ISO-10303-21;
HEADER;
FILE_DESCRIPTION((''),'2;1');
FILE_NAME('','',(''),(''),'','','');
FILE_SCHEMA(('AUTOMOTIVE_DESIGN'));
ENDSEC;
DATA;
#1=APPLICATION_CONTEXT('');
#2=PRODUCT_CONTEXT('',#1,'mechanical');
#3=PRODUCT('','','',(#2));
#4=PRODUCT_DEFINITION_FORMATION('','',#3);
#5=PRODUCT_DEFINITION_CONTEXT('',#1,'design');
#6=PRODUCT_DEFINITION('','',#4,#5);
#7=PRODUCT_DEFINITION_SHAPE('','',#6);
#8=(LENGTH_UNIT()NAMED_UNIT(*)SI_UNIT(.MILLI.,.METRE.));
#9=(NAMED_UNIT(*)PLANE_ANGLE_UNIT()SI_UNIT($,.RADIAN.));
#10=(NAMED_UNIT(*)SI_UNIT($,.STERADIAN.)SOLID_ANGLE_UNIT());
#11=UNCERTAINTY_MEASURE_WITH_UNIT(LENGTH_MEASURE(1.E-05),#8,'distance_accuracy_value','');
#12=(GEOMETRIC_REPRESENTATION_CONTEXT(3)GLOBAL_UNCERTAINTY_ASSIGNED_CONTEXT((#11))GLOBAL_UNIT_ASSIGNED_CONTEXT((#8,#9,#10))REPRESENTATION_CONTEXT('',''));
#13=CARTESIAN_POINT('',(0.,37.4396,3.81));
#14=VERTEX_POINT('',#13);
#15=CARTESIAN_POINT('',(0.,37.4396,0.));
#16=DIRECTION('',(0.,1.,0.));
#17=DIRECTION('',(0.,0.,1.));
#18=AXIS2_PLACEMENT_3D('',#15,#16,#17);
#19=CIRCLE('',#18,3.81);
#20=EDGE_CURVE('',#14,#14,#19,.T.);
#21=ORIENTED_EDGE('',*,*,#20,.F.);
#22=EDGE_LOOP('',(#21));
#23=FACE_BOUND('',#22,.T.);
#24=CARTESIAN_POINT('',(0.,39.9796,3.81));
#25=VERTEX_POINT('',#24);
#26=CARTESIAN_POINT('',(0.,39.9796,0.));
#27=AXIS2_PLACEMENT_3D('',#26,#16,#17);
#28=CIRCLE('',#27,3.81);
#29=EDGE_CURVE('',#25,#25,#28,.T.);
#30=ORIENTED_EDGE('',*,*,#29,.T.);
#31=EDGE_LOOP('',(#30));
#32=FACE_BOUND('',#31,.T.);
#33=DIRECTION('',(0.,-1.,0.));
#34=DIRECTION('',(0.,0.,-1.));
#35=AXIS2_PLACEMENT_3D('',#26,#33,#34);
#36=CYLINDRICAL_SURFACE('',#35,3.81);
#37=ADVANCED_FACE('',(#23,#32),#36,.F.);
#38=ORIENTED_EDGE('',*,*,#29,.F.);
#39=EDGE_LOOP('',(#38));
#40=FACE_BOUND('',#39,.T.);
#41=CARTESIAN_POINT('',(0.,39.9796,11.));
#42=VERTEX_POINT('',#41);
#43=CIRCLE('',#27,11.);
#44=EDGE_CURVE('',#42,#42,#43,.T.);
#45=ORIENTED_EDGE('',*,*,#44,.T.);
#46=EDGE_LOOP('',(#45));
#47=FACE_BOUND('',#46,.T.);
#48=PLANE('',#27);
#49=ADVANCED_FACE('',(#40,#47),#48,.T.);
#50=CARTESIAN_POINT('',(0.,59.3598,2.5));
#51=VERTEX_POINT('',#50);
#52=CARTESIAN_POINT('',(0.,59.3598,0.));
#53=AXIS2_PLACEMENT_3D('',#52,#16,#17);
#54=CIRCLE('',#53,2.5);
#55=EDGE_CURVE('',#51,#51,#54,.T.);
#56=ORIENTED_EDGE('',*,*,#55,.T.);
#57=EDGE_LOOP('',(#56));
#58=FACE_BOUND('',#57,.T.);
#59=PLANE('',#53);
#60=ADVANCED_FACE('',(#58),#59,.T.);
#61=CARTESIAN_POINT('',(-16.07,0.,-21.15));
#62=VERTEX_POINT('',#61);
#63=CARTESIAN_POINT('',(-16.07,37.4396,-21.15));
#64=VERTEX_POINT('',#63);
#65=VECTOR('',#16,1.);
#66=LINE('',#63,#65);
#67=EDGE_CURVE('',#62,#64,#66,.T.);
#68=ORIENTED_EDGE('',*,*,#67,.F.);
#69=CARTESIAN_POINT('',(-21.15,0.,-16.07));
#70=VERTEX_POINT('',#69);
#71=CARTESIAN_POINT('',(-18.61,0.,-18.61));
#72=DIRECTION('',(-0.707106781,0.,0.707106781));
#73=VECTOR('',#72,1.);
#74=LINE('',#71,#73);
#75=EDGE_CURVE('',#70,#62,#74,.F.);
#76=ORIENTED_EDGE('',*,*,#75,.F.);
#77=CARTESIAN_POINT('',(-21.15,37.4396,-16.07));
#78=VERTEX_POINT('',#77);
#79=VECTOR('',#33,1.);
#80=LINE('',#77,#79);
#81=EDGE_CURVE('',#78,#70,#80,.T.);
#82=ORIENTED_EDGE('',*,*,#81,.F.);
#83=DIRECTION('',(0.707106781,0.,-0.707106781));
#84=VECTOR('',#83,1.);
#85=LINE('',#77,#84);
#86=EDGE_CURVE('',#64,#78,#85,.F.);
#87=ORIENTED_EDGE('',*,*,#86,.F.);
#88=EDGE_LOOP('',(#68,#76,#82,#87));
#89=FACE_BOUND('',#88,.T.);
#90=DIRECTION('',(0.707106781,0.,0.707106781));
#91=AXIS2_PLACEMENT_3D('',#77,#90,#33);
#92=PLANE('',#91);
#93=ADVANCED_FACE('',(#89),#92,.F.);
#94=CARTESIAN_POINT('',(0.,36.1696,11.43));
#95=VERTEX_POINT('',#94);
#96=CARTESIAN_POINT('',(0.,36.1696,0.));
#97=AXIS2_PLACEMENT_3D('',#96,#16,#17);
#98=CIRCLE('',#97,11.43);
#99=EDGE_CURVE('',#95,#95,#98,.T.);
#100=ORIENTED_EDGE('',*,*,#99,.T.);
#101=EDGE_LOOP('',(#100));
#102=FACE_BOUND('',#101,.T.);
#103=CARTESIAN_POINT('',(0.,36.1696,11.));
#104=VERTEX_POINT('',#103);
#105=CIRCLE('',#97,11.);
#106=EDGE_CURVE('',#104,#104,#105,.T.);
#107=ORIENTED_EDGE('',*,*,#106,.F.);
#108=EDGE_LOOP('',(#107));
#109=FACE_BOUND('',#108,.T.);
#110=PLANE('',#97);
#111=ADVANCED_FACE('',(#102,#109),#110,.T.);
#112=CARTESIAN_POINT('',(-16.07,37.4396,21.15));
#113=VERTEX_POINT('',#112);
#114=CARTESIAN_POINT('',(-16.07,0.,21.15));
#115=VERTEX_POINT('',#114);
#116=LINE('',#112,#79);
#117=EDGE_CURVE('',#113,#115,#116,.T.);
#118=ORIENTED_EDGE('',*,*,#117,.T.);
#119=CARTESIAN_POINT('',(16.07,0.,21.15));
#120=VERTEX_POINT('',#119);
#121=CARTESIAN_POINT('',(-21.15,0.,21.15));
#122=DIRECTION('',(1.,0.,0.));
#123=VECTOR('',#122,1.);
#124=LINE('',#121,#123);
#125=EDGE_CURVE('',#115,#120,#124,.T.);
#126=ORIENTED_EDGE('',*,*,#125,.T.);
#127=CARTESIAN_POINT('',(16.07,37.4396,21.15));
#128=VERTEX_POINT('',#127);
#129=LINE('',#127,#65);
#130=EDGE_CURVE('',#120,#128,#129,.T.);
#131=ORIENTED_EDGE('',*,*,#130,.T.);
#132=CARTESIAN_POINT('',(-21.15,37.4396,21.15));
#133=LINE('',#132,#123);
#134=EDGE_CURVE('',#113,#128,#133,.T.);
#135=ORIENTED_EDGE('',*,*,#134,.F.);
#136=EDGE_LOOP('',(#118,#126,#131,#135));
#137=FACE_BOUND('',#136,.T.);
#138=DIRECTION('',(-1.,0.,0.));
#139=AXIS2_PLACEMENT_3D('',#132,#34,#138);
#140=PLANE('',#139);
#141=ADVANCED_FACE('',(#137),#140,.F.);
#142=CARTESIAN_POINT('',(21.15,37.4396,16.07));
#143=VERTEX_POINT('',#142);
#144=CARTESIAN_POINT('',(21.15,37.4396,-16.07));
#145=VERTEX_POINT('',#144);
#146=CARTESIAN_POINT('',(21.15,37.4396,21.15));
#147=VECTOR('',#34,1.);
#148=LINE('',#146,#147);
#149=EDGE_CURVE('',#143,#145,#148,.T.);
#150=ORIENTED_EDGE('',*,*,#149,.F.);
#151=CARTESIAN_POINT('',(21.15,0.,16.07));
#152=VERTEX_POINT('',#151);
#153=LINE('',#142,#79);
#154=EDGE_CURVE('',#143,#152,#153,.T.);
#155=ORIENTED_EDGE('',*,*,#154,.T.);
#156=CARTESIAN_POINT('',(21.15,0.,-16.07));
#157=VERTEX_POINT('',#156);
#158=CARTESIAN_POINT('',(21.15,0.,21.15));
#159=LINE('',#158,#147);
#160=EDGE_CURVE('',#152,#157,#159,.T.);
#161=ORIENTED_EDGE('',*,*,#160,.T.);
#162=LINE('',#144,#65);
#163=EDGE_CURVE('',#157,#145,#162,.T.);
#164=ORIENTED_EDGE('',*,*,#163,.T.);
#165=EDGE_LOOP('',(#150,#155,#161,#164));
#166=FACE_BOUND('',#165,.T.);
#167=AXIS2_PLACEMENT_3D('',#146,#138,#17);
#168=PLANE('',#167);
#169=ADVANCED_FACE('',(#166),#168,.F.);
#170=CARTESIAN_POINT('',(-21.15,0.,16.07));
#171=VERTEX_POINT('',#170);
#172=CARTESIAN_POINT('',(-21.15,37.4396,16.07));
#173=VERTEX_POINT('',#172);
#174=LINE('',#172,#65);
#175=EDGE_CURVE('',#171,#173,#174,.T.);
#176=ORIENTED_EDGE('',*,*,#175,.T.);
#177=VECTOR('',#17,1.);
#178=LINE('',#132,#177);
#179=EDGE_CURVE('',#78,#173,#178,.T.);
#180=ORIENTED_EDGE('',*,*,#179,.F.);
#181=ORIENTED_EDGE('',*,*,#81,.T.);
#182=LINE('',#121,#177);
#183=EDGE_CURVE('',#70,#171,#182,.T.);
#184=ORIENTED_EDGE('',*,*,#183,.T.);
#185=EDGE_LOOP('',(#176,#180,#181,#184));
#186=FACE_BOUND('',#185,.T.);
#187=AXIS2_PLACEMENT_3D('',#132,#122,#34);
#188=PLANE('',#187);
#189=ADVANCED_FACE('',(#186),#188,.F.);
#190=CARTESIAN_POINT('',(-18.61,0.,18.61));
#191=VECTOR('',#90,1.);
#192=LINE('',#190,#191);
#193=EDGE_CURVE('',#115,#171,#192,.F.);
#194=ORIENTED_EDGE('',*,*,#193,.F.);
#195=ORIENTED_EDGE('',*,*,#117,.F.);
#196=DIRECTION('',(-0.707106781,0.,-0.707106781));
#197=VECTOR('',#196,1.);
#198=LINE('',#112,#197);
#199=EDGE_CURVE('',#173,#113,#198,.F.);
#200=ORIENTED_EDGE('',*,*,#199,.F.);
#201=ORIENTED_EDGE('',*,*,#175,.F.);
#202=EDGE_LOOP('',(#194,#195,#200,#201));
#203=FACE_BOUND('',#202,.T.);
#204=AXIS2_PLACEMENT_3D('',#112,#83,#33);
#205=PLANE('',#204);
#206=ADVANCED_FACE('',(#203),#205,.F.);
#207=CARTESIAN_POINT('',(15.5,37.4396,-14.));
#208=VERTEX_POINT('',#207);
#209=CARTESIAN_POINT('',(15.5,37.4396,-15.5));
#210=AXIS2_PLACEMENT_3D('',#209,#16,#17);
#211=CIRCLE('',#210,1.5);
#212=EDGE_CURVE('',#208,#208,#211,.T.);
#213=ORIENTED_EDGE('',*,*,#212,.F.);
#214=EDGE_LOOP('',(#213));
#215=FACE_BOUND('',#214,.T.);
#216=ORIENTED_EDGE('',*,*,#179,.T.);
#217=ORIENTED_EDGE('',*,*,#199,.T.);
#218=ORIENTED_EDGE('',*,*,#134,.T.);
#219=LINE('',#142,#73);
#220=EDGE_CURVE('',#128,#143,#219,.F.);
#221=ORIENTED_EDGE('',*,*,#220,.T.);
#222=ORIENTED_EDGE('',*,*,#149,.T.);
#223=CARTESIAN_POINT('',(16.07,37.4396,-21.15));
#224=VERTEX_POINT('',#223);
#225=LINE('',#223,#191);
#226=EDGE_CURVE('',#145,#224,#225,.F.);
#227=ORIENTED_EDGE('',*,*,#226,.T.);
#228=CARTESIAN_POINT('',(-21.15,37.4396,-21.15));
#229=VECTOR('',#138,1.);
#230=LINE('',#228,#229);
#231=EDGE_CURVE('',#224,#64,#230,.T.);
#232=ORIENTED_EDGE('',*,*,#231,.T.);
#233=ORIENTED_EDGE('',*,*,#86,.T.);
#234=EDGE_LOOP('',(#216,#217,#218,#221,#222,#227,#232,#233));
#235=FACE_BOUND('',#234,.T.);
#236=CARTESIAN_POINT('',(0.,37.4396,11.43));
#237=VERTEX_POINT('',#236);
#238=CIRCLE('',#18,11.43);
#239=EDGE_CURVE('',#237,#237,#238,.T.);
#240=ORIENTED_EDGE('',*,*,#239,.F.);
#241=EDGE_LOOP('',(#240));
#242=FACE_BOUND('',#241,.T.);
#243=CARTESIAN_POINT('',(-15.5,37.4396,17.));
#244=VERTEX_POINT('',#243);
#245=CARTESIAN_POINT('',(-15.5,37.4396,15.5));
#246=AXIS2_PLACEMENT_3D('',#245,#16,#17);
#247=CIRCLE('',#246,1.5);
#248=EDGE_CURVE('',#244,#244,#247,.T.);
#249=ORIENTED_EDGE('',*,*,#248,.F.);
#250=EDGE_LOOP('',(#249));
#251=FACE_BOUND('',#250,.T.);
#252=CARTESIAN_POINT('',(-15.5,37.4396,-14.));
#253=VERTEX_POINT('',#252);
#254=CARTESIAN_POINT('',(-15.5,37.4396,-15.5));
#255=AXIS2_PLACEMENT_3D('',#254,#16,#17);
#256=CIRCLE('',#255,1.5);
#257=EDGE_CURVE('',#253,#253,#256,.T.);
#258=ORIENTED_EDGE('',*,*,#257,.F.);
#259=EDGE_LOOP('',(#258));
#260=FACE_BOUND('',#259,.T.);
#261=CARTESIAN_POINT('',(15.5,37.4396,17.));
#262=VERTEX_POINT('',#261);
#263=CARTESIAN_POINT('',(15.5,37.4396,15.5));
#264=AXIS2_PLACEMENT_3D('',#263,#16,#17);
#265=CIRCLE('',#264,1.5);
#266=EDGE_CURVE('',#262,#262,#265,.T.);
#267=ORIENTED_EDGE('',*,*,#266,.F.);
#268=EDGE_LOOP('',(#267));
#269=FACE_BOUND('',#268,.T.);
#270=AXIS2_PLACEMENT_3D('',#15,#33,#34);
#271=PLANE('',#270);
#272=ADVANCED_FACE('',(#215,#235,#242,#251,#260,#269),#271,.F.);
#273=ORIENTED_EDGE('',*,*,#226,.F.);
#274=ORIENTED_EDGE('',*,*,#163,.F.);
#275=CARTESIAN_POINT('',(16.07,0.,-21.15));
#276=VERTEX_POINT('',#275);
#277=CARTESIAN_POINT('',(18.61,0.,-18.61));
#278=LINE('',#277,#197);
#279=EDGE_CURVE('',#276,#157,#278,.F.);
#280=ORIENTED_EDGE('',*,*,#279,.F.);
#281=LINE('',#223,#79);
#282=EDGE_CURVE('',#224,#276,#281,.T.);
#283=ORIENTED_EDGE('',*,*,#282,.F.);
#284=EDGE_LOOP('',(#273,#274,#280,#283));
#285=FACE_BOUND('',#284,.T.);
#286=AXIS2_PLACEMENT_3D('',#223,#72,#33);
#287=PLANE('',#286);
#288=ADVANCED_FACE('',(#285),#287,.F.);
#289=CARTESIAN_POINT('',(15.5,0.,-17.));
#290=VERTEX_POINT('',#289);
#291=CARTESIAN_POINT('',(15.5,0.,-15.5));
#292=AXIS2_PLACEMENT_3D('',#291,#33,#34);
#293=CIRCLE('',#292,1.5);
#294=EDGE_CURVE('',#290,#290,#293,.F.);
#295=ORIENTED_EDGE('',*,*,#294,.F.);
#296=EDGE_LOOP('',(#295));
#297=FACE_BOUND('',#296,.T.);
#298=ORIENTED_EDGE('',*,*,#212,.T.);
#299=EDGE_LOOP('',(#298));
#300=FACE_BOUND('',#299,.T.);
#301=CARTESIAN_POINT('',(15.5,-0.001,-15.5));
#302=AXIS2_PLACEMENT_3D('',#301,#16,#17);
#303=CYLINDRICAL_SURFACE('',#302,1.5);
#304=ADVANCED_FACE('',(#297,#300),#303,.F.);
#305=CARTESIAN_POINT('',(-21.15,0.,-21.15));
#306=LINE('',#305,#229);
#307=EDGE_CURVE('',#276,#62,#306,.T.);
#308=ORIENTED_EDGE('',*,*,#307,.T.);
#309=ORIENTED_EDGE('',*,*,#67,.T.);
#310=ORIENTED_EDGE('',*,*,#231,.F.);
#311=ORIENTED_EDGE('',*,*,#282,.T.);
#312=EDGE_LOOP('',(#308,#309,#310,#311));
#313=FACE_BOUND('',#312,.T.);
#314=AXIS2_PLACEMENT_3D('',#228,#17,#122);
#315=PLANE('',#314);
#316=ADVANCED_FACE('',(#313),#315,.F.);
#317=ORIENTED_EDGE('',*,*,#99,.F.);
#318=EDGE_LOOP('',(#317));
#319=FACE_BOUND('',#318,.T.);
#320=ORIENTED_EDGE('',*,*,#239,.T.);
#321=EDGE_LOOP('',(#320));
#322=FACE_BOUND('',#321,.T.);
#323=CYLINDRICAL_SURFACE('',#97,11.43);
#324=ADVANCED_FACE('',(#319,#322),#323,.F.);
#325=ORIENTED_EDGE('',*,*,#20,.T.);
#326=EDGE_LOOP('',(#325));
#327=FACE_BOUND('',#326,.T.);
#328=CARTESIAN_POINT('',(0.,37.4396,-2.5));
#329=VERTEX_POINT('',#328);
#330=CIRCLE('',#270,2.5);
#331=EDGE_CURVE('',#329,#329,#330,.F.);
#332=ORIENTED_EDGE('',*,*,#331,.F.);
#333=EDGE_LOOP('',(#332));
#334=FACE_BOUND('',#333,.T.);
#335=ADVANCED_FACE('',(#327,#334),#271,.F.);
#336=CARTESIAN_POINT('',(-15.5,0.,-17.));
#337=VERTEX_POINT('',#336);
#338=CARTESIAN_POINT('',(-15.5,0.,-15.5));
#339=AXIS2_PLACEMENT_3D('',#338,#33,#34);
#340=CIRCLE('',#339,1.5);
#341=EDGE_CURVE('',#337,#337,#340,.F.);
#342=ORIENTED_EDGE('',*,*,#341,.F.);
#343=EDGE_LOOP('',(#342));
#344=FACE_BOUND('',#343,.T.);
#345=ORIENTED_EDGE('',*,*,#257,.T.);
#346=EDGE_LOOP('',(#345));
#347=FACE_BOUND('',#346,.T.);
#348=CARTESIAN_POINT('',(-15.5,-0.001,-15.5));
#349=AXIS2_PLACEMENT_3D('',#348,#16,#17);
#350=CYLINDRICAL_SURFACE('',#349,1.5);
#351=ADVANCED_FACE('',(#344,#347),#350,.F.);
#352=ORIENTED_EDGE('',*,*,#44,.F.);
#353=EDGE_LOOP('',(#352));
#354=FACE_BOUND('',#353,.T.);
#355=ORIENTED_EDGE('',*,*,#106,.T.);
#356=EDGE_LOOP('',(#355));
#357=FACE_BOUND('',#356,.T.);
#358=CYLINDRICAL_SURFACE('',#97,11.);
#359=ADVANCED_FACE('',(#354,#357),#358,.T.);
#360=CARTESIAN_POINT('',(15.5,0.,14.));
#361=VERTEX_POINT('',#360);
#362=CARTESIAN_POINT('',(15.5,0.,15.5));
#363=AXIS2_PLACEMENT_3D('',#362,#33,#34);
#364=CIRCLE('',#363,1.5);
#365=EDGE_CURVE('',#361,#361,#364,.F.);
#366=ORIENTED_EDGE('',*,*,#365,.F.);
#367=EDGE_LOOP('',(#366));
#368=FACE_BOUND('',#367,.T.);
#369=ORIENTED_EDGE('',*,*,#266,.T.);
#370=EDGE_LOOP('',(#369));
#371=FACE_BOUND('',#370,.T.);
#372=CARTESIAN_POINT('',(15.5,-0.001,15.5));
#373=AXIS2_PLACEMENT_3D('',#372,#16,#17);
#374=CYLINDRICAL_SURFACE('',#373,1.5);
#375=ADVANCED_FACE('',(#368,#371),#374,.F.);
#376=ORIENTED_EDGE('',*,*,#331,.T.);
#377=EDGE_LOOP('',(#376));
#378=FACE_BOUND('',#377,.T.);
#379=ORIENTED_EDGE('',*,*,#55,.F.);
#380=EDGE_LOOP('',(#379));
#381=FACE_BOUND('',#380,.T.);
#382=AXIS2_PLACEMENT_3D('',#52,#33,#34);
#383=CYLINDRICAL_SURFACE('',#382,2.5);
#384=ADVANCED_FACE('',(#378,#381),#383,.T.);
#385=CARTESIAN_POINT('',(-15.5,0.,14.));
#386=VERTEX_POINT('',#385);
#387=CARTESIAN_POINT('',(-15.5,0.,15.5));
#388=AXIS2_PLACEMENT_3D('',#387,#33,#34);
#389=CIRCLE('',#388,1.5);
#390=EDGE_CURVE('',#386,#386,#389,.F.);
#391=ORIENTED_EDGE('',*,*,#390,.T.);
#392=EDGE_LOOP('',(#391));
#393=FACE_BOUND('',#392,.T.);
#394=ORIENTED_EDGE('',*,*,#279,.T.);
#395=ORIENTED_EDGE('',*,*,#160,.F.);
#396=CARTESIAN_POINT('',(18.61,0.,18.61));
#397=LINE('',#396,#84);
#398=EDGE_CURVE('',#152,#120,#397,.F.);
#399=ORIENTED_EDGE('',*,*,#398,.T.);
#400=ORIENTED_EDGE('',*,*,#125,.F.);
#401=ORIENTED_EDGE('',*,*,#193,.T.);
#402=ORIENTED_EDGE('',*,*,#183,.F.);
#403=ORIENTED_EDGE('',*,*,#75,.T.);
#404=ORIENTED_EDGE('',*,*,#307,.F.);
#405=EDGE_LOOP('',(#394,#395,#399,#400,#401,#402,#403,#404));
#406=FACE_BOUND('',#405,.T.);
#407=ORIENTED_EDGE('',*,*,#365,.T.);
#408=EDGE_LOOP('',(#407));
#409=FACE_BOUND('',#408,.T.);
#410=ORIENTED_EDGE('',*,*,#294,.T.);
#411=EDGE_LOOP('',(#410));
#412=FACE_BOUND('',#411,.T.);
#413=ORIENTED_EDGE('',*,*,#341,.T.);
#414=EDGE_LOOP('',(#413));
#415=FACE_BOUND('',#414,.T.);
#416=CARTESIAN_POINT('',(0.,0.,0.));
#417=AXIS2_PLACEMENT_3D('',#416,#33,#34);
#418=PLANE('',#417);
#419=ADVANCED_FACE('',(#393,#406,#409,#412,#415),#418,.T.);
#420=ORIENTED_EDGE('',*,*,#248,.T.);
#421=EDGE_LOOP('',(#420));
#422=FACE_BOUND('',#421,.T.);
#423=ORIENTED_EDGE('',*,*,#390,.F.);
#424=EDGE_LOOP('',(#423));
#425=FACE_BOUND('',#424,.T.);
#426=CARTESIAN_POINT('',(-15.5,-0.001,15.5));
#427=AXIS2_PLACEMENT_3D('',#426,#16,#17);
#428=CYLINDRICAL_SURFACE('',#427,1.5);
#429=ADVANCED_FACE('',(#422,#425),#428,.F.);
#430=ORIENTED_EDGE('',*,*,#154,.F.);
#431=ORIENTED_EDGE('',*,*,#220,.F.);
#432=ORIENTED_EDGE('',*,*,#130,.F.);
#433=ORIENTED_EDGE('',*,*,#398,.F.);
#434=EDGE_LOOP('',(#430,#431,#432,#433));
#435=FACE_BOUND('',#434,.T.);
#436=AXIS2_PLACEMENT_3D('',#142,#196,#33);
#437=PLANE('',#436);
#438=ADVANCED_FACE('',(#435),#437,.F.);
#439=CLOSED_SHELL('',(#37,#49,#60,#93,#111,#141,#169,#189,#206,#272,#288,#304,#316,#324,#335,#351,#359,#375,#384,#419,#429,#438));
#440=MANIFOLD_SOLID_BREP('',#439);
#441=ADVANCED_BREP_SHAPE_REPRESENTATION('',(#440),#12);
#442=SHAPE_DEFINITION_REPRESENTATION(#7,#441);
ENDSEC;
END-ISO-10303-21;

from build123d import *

# Parameters (mm, degrees)
SKETCH1_W           = 42.3
SKETCH1_H           = 42.3
BOSS_EXTRUDE1_DEPTH = 37.4396
CHAMFER1_SIZE       = 5.08
SKETCH2_R           = 11.43
SKETCH2_R_2         = 11
CUT_EXTRUDE1_DEPTH  = 1.27
BOSS_EXTRUDE2_START = 2.54
SKETCH3_R           = 11
SKETCH3_R_2         = 3.81
BOSS_EXTRUDE2_DEPTH = 2.54
SKETCH4_R           = 2.5
BOSS_EXTRUDE3_DEPTH = 21.9202
CUT_EXTRUDE2_REACH  = 49.92
SKETCH5_R           = 1.5


with BuildPart() as part:
    # Sketch1 → Boss-Extrude1 (new body)
    with BuildSketch(Plane(origin=(0, 0, 0), x_dir=(1, 0, 0), z_dir=(0, 1, 0))):
        Rectangle(SKETCH1_W, SKETCH1_H)
    extrude(amount=BOSS_EXTRUDE1_DEPTH)

    # Chamfer1
    chamfer1_edges = [part.edges().sort_by_distance(p)[0] for p in [
        (21.15, 18.7198, 21.15),
        (-21.15, 18.7198, 21.15),
        (-21.15, 18.7198, -21.15),
        (21.15, 18.7198, -21.15),
    ]]
    chamfer(chamfer1_edges, length=CHAMFER1_SIZE)

    # Sketch2 → Cut-Extrude1 (cut)
    with BuildSketch(Plane(origin=(0, 37.4396, 0), x_dir=(1, 0, 0), z_dir=(0, 1, 0))):
        with Locations(Location((0, 0, 0), (0, 0, 270))):
            Circle(SKETCH2_R)
        with Locations(Location((0, 0, 0), (0, 0, 270))):
            Circle(SKETCH2_R_2, mode=Mode.SUBTRACT)
    extrude(amount=-CUT_EXTRUDE1_DEPTH, mode=Mode.SUBTRACT)

    # Sketch3 → Boss-Extrude2 (add)
    with BuildSketch(Plane(origin=(0, 37.4396, 0), x_dir=(1, 0, 0), z_dir=(0, 1, 0)).offset(BOSS_EXTRUDE2_START)):
        with Locations(Location((0, 0, 0), (0, 0, 270))):
            Circle(SKETCH3_R)
        with Locations(Location((0, 0, 0), (0, 0, 270))):
            Circle(SKETCH3_R_2, mode=Mode.SUBTRACT)
    extrude(amount=-BOSS_EXTRUDE2_DEPTH)

    # Sketch4 → Boss-Extrude3 (add)
    with BuildSketch(Plane(origin=(0, 37.4396, 0), x_dir=(1, 0, 0), z_dir=(0, 1, 0))):
        with Locations(Location((0, 0, 0), (0, 0, 90))):
            Circle(SKETCH4_R)
    extrude(amount=BOSS_EXTRUDE3_DEPTH)

    # Sketch5 → Cut-Extrude2 (cut, up to next)
    with BuildSketch(Plane(origin=(0, 37.4396, 0), x_dir=(1, 0, 0), z_dir=(0, 1, 0)), mode=Mode.PRIVATE) as cut_extrude2_sk1:
        with Locations(Location((15.5, 15.5, 0), (0, 0, 270))):
            Circle(SKETCH5_R)
    cut_extrude2_tool1 = extrude(cut_extrude2_sk1.sketch, amount=-CUT_EXTRUDE2_REACH, mode=Mode.PRIVATE) & part.part
    # Sketch5 → Cut-Extrude2 (cut, up to next)
    with BuildSketch(Plane(origin=(0, 37.4396, 0), x_dir=(1, 0, 0), z_dir=(0, 1, 0)), mode=Mode.PRIVATE) as cut_extrude2_sk2:
        with Locations(Location((15.5, -15.5, 0), (0, 0, 270))):
            Circle(SKETCH5_R)
    cut_extrude2_tool2 = extrude(cut_extrude2_sk2.sketch, amount=-CUT_EXTRUDE2_REACH, mode=Mode.PRIVATE) & part.part
    # Sketch5 → Cut-Extrude2 (cut, up to next)
    with BuildSketch(Plane(origin=(0, 37.4396, 0), x_dir=(1, 0, 0), z_dir=(0, 1, 0)), mode=Mode.PRIVATE) as cut_extrude2_sk3:
        with Locations(Location((-15.5, -15.5, 0), (0, 0, 270))):
            Circle(SKETCH5_R)
    cut_extrude2_tool3 = extrude(cut_extrude2_sk3.sketch, amount=-CUT_EXTRUDE2_REACH, mode=Mode.PRIVATE) & part.part
    # Sketch5 → Cut-Extrude2 (cut, up to next)
    with BuildSketch(Plane(origin=(0, 37.4396, 0), x_dir=(1, 0, 0), z_dir=(0, 1, 0)), mode=Mode.PRIVATE) as cut_extrude2_sk4:
        with Locations(Location((-15.5, 15.5, 0), (0, 0, 270))):
            Circle(SKETCH5_R)
    cut_extrude2_tool4 = extrude(cut_extrude2_sk4.sketch, amount=-CUT_EXTRUDE2_REACH, mode=Mode.PRIVATE) & part.part
    add(cut_extrude2_tool1.solids().sort_by_distance((15.5, 37.4396, -15.5))[0], mode=Mode.SUBTRACT)
    add(cut_extrude2_tool2.solids().sort_by_distance((15.5, 37.4396, 15.5))[0], mode=Mode.SUBTRACT)
    add(cut_extrude2_tool3.solids().sort_by_distance((-15.5, 37.4396, 15.5))[0], mode=Mode.SUBTRACT)
    add(cut_extrude2_tool4.solids().sort_by_distance((-15.5, 37.4396, -15.5))[0], mode=Mode.SUBTRACT)


solid = part.part
